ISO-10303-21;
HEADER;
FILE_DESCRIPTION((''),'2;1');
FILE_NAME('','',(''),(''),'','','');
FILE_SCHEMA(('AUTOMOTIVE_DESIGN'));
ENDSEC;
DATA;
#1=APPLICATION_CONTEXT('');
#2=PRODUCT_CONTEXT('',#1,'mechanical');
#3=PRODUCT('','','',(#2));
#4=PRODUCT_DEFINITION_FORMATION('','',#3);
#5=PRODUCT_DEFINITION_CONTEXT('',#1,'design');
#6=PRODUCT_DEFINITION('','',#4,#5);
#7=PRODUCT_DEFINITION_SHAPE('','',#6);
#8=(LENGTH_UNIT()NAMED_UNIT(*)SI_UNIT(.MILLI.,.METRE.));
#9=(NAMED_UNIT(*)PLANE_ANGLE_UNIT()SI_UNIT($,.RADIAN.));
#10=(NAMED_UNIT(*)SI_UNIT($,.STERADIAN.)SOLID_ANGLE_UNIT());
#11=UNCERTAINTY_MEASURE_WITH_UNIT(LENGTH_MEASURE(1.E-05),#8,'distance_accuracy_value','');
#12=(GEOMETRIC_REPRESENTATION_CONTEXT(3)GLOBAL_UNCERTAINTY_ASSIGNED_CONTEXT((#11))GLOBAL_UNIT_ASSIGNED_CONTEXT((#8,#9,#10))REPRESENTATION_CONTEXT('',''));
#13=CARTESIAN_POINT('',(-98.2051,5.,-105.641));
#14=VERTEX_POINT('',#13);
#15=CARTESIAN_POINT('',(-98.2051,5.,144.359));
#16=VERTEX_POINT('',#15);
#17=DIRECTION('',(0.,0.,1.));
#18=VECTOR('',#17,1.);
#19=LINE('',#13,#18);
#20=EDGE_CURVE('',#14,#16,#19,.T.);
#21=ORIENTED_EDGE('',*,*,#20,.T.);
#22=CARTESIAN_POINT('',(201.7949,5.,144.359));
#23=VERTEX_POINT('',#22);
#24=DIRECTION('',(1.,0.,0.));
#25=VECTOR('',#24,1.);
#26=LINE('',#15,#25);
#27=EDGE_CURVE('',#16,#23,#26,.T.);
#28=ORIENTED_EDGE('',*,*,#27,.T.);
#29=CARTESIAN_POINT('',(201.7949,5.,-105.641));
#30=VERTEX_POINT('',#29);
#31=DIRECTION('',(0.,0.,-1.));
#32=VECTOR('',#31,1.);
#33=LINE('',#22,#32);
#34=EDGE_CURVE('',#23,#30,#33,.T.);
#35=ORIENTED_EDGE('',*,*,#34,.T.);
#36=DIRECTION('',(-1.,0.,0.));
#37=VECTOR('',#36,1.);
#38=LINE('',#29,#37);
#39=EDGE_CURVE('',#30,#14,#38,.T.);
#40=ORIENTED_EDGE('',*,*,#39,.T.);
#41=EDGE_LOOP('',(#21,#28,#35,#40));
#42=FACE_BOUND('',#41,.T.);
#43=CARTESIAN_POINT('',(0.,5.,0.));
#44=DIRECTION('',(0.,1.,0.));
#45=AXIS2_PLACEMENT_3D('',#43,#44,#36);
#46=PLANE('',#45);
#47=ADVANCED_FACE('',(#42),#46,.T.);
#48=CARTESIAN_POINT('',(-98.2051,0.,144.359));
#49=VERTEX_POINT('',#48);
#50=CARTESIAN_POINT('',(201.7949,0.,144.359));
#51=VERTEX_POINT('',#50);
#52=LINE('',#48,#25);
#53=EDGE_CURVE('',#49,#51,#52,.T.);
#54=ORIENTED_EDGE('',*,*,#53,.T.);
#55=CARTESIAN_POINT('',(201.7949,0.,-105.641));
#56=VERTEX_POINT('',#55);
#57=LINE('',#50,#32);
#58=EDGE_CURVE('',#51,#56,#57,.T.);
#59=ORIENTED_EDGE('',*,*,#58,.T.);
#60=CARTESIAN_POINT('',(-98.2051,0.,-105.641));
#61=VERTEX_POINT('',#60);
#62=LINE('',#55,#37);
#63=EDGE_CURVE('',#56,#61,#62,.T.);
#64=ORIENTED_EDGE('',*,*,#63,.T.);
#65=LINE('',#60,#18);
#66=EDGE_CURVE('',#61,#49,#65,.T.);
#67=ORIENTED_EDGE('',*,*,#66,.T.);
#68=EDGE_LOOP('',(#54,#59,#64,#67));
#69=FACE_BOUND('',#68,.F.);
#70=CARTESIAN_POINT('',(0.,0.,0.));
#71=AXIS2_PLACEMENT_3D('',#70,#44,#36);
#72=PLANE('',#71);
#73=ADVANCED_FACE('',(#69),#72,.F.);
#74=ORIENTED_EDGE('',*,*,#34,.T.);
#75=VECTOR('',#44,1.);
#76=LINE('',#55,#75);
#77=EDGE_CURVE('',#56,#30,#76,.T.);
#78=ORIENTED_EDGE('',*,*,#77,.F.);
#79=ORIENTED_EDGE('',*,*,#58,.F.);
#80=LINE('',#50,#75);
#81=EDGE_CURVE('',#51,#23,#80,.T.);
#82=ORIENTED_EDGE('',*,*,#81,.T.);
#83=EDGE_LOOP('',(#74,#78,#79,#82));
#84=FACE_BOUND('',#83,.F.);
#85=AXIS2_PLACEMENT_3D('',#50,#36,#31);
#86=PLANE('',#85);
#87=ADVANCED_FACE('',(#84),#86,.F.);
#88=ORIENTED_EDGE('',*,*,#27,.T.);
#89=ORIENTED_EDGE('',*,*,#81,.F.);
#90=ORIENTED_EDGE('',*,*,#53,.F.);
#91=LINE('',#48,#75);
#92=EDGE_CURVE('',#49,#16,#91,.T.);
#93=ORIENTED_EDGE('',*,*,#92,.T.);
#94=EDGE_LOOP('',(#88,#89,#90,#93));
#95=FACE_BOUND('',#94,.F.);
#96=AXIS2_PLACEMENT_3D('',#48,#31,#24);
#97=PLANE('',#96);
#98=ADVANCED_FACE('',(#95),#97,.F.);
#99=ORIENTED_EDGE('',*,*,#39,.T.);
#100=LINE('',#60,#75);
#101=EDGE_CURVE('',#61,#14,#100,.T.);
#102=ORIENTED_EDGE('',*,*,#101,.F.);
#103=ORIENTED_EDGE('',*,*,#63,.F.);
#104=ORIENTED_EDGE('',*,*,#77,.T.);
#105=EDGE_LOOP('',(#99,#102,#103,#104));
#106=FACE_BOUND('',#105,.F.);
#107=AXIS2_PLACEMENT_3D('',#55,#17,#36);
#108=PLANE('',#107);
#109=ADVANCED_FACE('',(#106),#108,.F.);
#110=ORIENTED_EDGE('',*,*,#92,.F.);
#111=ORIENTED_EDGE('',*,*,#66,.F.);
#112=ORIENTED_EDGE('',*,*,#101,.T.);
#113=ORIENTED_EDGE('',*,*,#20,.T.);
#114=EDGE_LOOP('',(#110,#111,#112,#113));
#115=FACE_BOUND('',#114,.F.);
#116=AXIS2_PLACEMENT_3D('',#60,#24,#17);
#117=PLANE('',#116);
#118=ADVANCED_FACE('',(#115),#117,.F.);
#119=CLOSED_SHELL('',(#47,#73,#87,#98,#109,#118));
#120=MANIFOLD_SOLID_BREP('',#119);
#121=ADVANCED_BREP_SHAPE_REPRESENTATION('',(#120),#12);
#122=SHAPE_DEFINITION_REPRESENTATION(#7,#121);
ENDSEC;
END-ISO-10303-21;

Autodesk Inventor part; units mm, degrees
ref_plane "YZ Plane" through (0, 0, 0) normal (1, 0, 0) x (0, 1, 0)
ref_plane "XZ Plane" through (0, 0, 0) normal (0, 1, 0) x (-1, 0, 0)
ref_plane "XY Plane" through (0, 0, 0) normal (0, 0, 1) x (1, 0, 0)
sketch "Esquisse1" plane through (0, 0, 0) normal (0, 1, 0) x (-1, 0, 0)
  line L0 (98.2051, 144.359) -> (-201.7949, 144.359)
  line L1 (-201.7949, 144.359) -> (-201.7949, -105.641)
  line L2 (-201.7949, -105.641) -> (98.2051, -105.641)
  line L3 (98.2051, -105.641) -> (98.2051, 144.359)
  point P0 (0, 0)
  dimension "d0" = 250
  dimension "d1" = 300
extrude "Extrusion1" add sketch "Esquisse1" along normal blind 5
properties part number "face-lateral"
